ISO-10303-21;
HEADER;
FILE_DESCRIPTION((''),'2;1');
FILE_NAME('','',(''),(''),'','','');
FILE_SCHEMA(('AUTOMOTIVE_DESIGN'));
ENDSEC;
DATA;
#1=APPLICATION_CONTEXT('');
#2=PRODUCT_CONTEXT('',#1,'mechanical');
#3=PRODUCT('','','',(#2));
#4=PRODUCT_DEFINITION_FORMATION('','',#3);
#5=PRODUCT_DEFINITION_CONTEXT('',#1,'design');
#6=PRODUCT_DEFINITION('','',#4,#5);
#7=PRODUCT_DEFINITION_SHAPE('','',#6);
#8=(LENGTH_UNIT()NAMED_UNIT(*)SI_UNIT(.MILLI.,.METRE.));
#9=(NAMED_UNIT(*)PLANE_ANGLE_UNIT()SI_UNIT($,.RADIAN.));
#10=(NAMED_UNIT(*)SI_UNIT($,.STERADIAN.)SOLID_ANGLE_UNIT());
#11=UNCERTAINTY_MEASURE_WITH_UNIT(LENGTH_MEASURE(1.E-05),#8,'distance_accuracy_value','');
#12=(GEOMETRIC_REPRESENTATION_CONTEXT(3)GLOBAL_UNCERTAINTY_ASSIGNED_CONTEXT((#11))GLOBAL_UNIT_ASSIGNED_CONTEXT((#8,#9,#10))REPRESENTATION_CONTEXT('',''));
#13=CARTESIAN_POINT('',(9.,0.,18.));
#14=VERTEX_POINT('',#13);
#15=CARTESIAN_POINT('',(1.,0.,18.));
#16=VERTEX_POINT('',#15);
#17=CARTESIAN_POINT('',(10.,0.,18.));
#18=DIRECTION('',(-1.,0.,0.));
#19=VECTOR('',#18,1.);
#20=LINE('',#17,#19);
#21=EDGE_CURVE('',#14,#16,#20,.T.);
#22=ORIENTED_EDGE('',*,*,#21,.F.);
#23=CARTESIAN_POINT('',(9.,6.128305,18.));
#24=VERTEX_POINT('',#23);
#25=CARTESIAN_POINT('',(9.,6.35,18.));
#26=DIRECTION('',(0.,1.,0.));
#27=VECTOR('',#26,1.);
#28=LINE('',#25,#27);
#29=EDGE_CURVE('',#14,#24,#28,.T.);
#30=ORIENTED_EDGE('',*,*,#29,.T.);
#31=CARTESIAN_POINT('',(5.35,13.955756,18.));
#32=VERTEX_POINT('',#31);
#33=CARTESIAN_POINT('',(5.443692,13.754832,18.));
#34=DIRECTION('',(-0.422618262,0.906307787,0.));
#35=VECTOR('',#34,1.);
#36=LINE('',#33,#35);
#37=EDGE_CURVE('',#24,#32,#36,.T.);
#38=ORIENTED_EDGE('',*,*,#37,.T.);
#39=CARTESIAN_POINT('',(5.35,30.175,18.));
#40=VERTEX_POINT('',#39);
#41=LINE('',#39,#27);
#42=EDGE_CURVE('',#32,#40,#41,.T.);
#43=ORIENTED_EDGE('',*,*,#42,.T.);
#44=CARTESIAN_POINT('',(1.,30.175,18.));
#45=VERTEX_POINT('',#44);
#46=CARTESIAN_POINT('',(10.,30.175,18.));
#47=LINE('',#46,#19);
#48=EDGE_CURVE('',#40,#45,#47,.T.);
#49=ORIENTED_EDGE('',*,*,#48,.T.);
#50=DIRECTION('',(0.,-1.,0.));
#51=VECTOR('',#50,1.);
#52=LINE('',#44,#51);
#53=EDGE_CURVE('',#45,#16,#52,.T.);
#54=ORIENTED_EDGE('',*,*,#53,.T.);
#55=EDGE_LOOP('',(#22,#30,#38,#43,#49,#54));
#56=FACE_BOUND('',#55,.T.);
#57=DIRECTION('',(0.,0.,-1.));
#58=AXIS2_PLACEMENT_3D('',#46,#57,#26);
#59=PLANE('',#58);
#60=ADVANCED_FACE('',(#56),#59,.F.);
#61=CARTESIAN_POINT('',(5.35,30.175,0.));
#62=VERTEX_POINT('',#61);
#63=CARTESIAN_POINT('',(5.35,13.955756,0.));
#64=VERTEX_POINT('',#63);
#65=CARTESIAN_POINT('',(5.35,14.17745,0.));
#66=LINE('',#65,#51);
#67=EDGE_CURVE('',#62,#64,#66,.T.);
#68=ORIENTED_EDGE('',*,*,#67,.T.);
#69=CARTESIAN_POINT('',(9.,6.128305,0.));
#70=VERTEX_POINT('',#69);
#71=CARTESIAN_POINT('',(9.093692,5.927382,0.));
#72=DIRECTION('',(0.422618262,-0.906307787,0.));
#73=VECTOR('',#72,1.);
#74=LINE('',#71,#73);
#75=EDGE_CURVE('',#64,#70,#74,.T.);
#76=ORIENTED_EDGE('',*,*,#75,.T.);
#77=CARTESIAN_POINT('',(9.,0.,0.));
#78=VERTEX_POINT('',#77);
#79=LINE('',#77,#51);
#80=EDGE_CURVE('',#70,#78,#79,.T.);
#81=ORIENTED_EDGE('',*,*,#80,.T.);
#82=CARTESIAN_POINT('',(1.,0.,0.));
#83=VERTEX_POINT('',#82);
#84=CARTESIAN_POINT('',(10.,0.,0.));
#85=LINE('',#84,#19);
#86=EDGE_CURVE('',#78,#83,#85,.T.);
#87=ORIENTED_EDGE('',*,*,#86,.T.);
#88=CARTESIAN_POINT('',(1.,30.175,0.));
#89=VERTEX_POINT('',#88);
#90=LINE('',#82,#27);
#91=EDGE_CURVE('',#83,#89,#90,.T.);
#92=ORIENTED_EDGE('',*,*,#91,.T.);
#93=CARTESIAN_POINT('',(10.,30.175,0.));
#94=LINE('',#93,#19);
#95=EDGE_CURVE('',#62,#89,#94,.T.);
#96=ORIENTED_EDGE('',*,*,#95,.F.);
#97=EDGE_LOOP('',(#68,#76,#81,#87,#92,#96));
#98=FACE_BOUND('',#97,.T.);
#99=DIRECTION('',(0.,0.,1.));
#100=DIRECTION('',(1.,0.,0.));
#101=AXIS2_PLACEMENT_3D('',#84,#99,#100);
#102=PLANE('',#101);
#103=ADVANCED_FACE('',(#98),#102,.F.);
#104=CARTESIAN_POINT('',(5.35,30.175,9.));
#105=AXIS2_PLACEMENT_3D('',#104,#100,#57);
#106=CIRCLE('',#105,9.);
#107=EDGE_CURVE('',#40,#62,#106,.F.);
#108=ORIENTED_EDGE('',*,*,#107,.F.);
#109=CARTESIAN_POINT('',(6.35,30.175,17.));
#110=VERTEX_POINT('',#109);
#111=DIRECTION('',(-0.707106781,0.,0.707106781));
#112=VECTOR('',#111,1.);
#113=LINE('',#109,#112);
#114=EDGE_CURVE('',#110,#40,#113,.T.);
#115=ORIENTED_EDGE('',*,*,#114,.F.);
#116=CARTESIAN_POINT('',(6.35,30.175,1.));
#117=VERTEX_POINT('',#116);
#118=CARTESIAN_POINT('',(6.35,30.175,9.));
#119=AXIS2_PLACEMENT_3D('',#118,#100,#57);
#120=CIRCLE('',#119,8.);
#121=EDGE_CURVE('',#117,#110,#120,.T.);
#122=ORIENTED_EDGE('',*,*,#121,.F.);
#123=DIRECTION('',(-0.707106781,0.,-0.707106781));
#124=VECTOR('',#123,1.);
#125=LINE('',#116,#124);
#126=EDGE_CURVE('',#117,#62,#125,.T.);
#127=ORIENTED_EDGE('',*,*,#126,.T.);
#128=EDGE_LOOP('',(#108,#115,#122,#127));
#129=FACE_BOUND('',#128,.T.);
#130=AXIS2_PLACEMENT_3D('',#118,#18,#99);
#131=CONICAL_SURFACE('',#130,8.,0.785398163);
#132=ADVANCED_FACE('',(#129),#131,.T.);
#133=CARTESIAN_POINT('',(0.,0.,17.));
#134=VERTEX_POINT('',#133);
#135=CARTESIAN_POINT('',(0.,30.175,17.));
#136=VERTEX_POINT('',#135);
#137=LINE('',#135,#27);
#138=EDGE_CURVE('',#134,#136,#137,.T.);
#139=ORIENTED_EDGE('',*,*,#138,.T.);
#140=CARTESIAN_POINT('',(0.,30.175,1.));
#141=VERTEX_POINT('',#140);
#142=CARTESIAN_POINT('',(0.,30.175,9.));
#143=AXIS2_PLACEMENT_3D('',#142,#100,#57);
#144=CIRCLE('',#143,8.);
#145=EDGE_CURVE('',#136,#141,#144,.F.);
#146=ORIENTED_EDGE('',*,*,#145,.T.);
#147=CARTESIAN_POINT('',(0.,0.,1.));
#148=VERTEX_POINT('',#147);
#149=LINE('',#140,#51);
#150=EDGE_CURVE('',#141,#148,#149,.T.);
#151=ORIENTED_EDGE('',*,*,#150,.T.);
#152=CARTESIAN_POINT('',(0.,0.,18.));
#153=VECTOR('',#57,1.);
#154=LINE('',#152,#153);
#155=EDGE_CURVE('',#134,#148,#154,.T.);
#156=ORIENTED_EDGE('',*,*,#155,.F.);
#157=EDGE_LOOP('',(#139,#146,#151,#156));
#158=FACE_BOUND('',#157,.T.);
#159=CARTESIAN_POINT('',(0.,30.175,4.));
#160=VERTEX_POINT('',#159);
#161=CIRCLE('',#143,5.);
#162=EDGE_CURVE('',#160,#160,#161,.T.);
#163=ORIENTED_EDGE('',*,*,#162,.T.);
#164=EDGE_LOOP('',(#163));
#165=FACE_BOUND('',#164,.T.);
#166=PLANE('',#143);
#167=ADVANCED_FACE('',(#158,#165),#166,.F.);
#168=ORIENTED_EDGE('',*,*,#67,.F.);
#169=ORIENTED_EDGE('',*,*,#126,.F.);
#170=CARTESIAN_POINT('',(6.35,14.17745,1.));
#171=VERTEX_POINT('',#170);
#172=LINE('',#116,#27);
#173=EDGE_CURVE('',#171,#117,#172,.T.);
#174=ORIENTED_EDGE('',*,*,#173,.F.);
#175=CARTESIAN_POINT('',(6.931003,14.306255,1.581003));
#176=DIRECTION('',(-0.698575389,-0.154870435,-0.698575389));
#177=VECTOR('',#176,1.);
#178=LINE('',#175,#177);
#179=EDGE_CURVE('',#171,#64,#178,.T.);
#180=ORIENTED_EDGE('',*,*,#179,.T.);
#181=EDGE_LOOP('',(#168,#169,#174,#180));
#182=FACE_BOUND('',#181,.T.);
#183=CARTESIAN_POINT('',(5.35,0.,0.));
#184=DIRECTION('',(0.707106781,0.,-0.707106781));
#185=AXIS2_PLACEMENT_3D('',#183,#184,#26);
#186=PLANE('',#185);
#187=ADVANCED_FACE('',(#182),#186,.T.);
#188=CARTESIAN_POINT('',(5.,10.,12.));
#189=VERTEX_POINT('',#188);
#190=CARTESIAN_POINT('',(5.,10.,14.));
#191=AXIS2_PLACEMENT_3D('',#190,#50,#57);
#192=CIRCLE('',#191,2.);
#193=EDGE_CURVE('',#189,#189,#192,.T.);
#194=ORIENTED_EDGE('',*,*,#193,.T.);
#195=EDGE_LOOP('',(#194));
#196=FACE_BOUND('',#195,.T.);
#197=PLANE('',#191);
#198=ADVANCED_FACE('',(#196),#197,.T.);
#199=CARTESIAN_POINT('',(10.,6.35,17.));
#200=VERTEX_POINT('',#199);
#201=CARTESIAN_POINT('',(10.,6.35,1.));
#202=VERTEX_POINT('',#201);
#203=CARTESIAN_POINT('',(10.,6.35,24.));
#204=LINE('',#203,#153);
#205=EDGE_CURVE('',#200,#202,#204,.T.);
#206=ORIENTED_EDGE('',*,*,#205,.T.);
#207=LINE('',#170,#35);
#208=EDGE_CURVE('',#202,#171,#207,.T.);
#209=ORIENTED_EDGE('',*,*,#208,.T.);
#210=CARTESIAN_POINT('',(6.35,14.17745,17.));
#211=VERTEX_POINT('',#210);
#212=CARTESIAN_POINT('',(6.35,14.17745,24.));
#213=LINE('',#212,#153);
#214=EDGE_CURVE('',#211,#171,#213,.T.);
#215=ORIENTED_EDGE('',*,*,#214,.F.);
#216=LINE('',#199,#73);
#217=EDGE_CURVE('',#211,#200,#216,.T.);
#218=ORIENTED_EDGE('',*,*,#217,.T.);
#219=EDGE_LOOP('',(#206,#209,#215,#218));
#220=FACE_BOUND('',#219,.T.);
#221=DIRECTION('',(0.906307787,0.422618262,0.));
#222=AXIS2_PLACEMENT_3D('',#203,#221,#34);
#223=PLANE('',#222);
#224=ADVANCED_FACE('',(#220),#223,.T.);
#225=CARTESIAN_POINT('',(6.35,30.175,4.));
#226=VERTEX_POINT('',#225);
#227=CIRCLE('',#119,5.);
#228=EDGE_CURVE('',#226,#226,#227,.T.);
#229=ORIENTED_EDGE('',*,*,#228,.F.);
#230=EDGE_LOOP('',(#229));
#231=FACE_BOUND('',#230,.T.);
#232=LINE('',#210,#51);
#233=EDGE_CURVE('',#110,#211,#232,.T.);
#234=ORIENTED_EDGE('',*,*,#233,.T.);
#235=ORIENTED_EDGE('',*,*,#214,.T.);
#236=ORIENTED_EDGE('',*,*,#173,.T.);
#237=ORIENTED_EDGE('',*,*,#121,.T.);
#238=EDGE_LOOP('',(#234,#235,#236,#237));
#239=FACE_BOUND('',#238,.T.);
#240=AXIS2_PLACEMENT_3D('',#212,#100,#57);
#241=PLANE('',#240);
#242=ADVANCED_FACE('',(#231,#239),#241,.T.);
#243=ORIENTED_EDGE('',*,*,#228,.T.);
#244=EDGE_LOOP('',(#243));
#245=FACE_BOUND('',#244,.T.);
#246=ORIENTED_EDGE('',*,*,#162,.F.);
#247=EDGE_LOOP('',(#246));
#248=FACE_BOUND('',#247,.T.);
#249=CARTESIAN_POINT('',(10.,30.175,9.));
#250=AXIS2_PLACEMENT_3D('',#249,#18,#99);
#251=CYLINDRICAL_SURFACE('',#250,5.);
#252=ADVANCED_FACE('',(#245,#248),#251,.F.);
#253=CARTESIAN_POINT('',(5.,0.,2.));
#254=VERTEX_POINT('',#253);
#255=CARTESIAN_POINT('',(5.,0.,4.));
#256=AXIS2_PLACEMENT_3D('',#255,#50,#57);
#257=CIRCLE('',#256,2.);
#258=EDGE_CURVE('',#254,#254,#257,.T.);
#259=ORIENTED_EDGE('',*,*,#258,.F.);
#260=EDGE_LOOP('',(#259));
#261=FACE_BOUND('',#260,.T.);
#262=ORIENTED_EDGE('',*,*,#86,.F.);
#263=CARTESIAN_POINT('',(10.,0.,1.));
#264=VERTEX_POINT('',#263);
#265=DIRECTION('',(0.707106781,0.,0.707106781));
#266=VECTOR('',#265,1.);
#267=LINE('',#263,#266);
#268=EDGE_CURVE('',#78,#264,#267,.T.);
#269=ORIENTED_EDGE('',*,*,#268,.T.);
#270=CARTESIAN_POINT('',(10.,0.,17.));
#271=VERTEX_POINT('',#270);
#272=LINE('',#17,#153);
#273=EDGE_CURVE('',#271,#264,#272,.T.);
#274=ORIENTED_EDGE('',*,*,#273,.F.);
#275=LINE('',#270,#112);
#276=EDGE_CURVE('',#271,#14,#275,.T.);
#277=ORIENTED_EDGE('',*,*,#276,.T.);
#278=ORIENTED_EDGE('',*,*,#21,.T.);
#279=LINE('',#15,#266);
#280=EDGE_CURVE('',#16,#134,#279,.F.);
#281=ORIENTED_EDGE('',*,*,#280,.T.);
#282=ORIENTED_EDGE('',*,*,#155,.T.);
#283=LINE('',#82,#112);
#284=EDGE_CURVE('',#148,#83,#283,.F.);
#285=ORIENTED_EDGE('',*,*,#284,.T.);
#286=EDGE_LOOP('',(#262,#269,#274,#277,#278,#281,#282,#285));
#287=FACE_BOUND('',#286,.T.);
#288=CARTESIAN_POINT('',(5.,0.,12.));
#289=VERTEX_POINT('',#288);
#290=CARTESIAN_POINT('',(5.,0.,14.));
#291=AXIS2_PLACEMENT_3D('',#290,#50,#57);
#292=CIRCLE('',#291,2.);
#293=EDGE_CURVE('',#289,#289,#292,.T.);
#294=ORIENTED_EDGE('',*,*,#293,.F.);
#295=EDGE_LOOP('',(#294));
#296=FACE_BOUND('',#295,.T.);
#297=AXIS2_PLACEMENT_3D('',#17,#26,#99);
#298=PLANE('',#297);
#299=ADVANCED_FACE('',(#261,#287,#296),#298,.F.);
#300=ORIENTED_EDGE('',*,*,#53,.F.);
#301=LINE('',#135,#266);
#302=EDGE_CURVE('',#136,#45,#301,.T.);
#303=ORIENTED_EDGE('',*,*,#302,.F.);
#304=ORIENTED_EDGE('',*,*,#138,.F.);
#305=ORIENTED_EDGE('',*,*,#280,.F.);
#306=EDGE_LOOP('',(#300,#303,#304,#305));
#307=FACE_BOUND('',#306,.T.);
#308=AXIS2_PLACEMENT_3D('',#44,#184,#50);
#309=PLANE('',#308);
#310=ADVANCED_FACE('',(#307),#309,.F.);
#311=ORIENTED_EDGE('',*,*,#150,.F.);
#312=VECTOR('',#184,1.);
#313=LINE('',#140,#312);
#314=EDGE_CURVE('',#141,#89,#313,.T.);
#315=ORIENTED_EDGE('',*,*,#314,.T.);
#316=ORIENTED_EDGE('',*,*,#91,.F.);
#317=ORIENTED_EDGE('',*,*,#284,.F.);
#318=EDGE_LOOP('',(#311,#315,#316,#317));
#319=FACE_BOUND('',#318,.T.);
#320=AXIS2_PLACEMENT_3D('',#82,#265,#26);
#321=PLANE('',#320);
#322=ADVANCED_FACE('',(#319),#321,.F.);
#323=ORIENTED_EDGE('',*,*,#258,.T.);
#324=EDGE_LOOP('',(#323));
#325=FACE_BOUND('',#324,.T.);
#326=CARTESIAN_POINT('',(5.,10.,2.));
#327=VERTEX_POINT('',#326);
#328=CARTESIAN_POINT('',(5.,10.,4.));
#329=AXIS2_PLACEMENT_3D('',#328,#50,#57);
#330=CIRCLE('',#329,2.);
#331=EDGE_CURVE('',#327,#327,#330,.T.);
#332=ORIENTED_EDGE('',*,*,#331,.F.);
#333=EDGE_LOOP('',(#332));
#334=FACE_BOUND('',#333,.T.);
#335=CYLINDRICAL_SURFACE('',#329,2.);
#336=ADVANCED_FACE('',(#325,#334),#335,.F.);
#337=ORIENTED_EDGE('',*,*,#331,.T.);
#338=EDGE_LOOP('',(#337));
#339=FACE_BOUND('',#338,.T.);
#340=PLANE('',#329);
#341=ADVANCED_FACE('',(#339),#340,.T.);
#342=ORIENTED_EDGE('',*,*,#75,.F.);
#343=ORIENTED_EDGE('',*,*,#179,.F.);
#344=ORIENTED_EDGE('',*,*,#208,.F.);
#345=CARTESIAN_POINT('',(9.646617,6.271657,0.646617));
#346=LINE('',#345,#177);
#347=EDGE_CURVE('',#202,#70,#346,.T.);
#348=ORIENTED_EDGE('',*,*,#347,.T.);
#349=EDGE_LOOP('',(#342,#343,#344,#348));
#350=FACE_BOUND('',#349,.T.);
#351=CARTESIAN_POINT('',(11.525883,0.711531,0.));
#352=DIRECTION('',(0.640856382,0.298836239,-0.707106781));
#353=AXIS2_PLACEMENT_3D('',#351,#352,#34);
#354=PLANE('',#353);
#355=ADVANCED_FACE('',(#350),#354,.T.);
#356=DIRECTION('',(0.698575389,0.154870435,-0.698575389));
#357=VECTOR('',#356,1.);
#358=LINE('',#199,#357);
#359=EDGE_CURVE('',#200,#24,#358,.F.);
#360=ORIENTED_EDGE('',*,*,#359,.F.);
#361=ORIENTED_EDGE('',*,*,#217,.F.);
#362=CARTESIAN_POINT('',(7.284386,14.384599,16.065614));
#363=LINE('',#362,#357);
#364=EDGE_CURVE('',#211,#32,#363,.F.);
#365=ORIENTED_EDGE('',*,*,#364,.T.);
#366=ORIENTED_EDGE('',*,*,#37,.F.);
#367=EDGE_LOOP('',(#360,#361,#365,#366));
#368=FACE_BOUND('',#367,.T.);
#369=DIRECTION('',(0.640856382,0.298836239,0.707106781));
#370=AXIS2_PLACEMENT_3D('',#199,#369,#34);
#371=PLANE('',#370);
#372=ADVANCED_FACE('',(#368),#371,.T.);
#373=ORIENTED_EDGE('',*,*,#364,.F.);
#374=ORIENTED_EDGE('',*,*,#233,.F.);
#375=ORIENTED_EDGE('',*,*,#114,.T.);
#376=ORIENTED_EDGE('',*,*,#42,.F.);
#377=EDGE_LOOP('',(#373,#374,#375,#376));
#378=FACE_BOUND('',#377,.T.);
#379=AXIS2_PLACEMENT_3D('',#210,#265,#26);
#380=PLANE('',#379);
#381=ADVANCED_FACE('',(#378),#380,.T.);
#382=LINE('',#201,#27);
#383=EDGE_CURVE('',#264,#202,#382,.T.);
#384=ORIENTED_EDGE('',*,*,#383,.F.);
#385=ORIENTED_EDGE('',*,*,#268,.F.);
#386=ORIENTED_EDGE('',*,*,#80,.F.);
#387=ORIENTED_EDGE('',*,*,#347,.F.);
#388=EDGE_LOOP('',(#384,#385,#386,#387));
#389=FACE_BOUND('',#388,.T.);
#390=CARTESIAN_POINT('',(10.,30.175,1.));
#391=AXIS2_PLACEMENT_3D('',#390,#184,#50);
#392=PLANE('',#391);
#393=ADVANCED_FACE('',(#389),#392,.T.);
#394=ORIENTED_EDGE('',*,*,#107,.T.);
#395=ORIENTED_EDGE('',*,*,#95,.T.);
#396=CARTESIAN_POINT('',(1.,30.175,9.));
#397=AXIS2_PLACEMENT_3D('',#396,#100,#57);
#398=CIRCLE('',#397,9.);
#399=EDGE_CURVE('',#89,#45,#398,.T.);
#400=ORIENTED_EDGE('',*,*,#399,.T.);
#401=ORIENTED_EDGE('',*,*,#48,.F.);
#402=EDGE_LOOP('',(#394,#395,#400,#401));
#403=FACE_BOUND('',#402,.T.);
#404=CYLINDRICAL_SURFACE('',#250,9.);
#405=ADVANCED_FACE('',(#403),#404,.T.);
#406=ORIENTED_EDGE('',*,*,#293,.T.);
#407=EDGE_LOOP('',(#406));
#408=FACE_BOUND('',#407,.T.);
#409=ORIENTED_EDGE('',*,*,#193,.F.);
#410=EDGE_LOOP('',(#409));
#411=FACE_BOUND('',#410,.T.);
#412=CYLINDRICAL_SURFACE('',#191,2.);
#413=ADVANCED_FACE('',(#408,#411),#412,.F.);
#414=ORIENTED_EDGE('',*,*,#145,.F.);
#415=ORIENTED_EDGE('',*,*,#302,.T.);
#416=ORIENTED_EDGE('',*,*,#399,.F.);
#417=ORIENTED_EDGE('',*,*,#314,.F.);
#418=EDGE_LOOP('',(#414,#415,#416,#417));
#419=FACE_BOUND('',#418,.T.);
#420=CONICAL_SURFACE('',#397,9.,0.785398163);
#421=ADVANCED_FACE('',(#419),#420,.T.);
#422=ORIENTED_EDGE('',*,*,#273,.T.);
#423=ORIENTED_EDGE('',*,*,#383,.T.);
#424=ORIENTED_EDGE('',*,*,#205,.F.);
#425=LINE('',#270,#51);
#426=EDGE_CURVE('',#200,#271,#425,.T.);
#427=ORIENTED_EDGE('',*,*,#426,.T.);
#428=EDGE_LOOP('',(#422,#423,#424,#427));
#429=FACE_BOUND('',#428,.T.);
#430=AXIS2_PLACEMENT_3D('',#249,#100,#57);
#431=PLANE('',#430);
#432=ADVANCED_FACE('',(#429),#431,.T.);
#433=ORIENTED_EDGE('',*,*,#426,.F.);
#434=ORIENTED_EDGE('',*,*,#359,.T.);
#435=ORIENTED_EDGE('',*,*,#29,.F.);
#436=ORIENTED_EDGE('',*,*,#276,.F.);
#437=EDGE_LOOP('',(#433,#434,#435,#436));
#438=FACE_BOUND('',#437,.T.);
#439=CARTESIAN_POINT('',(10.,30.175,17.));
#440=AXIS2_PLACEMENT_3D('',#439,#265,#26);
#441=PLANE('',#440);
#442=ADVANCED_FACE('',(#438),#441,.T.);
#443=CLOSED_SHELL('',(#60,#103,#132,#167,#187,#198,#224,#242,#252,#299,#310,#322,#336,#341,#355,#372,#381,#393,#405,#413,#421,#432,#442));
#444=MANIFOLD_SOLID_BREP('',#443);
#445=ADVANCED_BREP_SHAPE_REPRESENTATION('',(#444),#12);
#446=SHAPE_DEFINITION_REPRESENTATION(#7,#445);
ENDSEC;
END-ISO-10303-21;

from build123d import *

# Parameters (mm, degrees)
SKETCH1_R           = 5
BOSS_EXTRUDE1_DEPTH = 10
SKETCH2_R           = 2
CUT_EXTRUDE1_DEPTH  = 10
CUT_EXTRUDE2_DEPTH  = 24
CHAMFER1_SIZE       = 1


with BuildPart() as part:
    # Sketch1 → Boss-Extrude1 (new body)
    with BuildSketch(Plane(origin=(0, 0, 0), x_dir=(0, 0, -1), z_dir=(1, 0, 0))):
        with BuildLine():
            Line((-18, 30.175), (-18, 0))
            Line((-18, 0), (0, 0))
            Line((0, 0), (0, 30.175))
            ThreePointArc((0, 30.175), (-9, 39.175), (-18, 30.175))
        make_face()
        with Locations((-9, 30.175)):
            Circle(SKETCH1_R, mode=Mode.SUBTRACT)
    extrude(amount=BOSS_EXTRUDE1_DEPTH)

    # Sketch2 → Cut-Extrude1 (cut)
    with BuildSketch(Plane.XZ):
        with Locations(Location((5, 4, 0), (0, 0, 270))):
            Circle(SKETCH2_R)
        with Locations(Location((5, 14, 0), (0, 0, 270))):
            Circle(SKETCH2_R)
    extrude(amount=-CUT_EXTRUDE1_DEPTH, mode=Mode.SUBTRACT)

    # Sketch3 → Cut-Extrude2 (cut)
    with BuildSketch(Plane.XY):
        Polygon((10, 6.35), (6.35, 14.17745026), (6.35, 39.175), (10, 39.175), align=None)
    extrude(amount=CUT_EXTRUDE2_DEPTH, mode=Mode.SUBTRACT)

    # Chamfer1
    chamfer1_edges = [part.edges().sort_by_distance(p)[0] for p in [
        (10, 3.175, 0),
        (10, 3.175, 18),
        (8.175, 10.26372513, 0),
        (6.35, 22.17622513, 0),
        (6.35, 39.175, 9),
        (6.35, 22.17622513, 18),
        (8.175, 10.26372513, 18),
        (0, 15.0875, 0),
        (0, 15.0875, 18),
        (0, 39.175, 9),
    ]]
    chamfer(chamfer1_edges, length=CHAMFER1_SIZE)


solid = part.part
